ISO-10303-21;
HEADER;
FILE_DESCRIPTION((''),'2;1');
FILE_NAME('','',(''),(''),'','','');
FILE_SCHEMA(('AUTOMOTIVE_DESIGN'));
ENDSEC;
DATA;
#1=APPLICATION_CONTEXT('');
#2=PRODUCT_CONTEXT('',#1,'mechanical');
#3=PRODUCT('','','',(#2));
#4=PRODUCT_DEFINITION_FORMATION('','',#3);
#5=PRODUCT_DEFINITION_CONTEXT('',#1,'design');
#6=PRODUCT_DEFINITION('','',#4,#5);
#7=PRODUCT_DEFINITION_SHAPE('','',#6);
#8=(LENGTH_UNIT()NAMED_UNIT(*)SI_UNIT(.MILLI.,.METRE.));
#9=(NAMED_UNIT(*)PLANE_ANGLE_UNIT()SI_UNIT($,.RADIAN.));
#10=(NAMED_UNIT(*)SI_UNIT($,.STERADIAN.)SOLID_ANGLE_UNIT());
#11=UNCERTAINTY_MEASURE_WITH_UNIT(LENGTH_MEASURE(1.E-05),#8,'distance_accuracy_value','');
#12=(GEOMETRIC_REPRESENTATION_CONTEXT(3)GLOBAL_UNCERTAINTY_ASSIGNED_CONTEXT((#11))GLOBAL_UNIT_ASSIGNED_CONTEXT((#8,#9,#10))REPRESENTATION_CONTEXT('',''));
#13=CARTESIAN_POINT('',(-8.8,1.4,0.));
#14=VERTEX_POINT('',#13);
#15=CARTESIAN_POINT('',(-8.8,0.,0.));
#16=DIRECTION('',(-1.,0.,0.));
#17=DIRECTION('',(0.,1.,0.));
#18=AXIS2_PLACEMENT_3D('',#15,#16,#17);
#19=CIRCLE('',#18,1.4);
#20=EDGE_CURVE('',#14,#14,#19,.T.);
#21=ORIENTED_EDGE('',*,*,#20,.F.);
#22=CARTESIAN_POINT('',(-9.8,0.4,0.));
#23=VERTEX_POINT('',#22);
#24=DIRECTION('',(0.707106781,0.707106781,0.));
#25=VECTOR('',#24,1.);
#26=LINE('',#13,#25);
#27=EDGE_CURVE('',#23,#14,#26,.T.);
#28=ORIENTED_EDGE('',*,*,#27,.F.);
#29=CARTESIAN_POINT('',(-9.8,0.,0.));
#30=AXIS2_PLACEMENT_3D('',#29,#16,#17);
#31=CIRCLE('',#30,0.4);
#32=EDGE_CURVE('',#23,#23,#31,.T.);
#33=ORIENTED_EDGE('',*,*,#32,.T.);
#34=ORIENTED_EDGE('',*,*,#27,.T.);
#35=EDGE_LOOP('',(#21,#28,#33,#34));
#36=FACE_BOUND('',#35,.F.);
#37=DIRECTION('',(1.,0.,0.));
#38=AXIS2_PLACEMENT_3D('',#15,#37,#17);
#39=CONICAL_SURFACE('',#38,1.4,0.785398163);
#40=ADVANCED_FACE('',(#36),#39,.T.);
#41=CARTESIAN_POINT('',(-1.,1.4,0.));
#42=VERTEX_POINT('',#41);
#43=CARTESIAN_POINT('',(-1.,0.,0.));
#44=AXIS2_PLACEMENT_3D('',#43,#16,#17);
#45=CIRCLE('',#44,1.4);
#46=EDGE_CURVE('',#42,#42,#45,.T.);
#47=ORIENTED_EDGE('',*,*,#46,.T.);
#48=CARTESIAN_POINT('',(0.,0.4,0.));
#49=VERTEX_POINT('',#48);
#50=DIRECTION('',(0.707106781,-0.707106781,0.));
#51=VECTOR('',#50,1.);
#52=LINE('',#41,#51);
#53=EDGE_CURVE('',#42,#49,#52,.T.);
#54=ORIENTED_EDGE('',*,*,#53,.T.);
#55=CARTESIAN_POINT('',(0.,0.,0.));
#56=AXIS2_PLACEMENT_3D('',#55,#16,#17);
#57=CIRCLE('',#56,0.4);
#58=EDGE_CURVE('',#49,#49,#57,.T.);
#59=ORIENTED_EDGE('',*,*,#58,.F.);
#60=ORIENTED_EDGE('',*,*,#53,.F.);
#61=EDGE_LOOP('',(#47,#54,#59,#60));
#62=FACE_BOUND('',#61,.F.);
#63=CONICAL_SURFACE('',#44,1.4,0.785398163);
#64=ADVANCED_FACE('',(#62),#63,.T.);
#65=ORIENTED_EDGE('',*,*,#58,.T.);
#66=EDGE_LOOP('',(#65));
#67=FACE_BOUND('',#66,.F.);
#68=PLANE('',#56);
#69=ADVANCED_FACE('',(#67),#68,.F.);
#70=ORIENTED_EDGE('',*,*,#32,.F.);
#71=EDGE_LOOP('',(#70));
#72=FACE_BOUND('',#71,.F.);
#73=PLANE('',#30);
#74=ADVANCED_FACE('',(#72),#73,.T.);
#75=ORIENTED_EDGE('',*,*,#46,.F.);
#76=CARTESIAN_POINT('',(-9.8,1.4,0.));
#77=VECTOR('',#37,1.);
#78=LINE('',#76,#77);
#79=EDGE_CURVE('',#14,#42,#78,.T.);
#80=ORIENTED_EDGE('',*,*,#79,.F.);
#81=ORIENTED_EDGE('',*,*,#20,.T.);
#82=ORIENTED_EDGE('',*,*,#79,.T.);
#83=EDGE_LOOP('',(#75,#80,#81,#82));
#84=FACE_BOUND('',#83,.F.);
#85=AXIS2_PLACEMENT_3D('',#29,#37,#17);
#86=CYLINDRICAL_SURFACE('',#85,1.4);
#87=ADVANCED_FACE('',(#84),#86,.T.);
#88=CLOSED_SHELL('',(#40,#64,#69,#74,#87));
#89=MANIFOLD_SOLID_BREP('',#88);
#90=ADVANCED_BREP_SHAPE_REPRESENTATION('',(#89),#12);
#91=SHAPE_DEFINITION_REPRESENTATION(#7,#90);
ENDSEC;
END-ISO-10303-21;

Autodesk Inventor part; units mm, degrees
ref_plane "YZ Plane" through (0, 0, 0) normal (1, 0, 0) x (0, 1, 0)
ref_plane "XZ Plane" through (0, 0, 0) normal (0, 1, 0) x (-1, 0, 0)
ref_plane "XY Plane" through (0, 0, 0) normal (0, 0, 1) x (1, 0, 0)
sketch "스케치1" plane through (0, 0, 0) normal (0, 0, 1) x (1, 0, 0)
  line L0 (0, 0) -> (-9.8, 0)
  line L1 (-9.8, 0) -> (-9.8, 1.4)
  line L2 (-9.8, 1.4) -> (0, 1.4)
  line L3 (0, 1.4) -> (0, 0)
  dimension "d0" = 9.8
  dimension "d1" = 2.8
revolve "회전1" add sketch "스케치1" angle 360 about axis through (0, 0, 0) along (-1, 0, 0)
chamfer "모따기1" distance 1 angle 45 2 edges at (0, -1.4, 0) (-9.8, -1.4, 0)
properties part number "joint_3"
